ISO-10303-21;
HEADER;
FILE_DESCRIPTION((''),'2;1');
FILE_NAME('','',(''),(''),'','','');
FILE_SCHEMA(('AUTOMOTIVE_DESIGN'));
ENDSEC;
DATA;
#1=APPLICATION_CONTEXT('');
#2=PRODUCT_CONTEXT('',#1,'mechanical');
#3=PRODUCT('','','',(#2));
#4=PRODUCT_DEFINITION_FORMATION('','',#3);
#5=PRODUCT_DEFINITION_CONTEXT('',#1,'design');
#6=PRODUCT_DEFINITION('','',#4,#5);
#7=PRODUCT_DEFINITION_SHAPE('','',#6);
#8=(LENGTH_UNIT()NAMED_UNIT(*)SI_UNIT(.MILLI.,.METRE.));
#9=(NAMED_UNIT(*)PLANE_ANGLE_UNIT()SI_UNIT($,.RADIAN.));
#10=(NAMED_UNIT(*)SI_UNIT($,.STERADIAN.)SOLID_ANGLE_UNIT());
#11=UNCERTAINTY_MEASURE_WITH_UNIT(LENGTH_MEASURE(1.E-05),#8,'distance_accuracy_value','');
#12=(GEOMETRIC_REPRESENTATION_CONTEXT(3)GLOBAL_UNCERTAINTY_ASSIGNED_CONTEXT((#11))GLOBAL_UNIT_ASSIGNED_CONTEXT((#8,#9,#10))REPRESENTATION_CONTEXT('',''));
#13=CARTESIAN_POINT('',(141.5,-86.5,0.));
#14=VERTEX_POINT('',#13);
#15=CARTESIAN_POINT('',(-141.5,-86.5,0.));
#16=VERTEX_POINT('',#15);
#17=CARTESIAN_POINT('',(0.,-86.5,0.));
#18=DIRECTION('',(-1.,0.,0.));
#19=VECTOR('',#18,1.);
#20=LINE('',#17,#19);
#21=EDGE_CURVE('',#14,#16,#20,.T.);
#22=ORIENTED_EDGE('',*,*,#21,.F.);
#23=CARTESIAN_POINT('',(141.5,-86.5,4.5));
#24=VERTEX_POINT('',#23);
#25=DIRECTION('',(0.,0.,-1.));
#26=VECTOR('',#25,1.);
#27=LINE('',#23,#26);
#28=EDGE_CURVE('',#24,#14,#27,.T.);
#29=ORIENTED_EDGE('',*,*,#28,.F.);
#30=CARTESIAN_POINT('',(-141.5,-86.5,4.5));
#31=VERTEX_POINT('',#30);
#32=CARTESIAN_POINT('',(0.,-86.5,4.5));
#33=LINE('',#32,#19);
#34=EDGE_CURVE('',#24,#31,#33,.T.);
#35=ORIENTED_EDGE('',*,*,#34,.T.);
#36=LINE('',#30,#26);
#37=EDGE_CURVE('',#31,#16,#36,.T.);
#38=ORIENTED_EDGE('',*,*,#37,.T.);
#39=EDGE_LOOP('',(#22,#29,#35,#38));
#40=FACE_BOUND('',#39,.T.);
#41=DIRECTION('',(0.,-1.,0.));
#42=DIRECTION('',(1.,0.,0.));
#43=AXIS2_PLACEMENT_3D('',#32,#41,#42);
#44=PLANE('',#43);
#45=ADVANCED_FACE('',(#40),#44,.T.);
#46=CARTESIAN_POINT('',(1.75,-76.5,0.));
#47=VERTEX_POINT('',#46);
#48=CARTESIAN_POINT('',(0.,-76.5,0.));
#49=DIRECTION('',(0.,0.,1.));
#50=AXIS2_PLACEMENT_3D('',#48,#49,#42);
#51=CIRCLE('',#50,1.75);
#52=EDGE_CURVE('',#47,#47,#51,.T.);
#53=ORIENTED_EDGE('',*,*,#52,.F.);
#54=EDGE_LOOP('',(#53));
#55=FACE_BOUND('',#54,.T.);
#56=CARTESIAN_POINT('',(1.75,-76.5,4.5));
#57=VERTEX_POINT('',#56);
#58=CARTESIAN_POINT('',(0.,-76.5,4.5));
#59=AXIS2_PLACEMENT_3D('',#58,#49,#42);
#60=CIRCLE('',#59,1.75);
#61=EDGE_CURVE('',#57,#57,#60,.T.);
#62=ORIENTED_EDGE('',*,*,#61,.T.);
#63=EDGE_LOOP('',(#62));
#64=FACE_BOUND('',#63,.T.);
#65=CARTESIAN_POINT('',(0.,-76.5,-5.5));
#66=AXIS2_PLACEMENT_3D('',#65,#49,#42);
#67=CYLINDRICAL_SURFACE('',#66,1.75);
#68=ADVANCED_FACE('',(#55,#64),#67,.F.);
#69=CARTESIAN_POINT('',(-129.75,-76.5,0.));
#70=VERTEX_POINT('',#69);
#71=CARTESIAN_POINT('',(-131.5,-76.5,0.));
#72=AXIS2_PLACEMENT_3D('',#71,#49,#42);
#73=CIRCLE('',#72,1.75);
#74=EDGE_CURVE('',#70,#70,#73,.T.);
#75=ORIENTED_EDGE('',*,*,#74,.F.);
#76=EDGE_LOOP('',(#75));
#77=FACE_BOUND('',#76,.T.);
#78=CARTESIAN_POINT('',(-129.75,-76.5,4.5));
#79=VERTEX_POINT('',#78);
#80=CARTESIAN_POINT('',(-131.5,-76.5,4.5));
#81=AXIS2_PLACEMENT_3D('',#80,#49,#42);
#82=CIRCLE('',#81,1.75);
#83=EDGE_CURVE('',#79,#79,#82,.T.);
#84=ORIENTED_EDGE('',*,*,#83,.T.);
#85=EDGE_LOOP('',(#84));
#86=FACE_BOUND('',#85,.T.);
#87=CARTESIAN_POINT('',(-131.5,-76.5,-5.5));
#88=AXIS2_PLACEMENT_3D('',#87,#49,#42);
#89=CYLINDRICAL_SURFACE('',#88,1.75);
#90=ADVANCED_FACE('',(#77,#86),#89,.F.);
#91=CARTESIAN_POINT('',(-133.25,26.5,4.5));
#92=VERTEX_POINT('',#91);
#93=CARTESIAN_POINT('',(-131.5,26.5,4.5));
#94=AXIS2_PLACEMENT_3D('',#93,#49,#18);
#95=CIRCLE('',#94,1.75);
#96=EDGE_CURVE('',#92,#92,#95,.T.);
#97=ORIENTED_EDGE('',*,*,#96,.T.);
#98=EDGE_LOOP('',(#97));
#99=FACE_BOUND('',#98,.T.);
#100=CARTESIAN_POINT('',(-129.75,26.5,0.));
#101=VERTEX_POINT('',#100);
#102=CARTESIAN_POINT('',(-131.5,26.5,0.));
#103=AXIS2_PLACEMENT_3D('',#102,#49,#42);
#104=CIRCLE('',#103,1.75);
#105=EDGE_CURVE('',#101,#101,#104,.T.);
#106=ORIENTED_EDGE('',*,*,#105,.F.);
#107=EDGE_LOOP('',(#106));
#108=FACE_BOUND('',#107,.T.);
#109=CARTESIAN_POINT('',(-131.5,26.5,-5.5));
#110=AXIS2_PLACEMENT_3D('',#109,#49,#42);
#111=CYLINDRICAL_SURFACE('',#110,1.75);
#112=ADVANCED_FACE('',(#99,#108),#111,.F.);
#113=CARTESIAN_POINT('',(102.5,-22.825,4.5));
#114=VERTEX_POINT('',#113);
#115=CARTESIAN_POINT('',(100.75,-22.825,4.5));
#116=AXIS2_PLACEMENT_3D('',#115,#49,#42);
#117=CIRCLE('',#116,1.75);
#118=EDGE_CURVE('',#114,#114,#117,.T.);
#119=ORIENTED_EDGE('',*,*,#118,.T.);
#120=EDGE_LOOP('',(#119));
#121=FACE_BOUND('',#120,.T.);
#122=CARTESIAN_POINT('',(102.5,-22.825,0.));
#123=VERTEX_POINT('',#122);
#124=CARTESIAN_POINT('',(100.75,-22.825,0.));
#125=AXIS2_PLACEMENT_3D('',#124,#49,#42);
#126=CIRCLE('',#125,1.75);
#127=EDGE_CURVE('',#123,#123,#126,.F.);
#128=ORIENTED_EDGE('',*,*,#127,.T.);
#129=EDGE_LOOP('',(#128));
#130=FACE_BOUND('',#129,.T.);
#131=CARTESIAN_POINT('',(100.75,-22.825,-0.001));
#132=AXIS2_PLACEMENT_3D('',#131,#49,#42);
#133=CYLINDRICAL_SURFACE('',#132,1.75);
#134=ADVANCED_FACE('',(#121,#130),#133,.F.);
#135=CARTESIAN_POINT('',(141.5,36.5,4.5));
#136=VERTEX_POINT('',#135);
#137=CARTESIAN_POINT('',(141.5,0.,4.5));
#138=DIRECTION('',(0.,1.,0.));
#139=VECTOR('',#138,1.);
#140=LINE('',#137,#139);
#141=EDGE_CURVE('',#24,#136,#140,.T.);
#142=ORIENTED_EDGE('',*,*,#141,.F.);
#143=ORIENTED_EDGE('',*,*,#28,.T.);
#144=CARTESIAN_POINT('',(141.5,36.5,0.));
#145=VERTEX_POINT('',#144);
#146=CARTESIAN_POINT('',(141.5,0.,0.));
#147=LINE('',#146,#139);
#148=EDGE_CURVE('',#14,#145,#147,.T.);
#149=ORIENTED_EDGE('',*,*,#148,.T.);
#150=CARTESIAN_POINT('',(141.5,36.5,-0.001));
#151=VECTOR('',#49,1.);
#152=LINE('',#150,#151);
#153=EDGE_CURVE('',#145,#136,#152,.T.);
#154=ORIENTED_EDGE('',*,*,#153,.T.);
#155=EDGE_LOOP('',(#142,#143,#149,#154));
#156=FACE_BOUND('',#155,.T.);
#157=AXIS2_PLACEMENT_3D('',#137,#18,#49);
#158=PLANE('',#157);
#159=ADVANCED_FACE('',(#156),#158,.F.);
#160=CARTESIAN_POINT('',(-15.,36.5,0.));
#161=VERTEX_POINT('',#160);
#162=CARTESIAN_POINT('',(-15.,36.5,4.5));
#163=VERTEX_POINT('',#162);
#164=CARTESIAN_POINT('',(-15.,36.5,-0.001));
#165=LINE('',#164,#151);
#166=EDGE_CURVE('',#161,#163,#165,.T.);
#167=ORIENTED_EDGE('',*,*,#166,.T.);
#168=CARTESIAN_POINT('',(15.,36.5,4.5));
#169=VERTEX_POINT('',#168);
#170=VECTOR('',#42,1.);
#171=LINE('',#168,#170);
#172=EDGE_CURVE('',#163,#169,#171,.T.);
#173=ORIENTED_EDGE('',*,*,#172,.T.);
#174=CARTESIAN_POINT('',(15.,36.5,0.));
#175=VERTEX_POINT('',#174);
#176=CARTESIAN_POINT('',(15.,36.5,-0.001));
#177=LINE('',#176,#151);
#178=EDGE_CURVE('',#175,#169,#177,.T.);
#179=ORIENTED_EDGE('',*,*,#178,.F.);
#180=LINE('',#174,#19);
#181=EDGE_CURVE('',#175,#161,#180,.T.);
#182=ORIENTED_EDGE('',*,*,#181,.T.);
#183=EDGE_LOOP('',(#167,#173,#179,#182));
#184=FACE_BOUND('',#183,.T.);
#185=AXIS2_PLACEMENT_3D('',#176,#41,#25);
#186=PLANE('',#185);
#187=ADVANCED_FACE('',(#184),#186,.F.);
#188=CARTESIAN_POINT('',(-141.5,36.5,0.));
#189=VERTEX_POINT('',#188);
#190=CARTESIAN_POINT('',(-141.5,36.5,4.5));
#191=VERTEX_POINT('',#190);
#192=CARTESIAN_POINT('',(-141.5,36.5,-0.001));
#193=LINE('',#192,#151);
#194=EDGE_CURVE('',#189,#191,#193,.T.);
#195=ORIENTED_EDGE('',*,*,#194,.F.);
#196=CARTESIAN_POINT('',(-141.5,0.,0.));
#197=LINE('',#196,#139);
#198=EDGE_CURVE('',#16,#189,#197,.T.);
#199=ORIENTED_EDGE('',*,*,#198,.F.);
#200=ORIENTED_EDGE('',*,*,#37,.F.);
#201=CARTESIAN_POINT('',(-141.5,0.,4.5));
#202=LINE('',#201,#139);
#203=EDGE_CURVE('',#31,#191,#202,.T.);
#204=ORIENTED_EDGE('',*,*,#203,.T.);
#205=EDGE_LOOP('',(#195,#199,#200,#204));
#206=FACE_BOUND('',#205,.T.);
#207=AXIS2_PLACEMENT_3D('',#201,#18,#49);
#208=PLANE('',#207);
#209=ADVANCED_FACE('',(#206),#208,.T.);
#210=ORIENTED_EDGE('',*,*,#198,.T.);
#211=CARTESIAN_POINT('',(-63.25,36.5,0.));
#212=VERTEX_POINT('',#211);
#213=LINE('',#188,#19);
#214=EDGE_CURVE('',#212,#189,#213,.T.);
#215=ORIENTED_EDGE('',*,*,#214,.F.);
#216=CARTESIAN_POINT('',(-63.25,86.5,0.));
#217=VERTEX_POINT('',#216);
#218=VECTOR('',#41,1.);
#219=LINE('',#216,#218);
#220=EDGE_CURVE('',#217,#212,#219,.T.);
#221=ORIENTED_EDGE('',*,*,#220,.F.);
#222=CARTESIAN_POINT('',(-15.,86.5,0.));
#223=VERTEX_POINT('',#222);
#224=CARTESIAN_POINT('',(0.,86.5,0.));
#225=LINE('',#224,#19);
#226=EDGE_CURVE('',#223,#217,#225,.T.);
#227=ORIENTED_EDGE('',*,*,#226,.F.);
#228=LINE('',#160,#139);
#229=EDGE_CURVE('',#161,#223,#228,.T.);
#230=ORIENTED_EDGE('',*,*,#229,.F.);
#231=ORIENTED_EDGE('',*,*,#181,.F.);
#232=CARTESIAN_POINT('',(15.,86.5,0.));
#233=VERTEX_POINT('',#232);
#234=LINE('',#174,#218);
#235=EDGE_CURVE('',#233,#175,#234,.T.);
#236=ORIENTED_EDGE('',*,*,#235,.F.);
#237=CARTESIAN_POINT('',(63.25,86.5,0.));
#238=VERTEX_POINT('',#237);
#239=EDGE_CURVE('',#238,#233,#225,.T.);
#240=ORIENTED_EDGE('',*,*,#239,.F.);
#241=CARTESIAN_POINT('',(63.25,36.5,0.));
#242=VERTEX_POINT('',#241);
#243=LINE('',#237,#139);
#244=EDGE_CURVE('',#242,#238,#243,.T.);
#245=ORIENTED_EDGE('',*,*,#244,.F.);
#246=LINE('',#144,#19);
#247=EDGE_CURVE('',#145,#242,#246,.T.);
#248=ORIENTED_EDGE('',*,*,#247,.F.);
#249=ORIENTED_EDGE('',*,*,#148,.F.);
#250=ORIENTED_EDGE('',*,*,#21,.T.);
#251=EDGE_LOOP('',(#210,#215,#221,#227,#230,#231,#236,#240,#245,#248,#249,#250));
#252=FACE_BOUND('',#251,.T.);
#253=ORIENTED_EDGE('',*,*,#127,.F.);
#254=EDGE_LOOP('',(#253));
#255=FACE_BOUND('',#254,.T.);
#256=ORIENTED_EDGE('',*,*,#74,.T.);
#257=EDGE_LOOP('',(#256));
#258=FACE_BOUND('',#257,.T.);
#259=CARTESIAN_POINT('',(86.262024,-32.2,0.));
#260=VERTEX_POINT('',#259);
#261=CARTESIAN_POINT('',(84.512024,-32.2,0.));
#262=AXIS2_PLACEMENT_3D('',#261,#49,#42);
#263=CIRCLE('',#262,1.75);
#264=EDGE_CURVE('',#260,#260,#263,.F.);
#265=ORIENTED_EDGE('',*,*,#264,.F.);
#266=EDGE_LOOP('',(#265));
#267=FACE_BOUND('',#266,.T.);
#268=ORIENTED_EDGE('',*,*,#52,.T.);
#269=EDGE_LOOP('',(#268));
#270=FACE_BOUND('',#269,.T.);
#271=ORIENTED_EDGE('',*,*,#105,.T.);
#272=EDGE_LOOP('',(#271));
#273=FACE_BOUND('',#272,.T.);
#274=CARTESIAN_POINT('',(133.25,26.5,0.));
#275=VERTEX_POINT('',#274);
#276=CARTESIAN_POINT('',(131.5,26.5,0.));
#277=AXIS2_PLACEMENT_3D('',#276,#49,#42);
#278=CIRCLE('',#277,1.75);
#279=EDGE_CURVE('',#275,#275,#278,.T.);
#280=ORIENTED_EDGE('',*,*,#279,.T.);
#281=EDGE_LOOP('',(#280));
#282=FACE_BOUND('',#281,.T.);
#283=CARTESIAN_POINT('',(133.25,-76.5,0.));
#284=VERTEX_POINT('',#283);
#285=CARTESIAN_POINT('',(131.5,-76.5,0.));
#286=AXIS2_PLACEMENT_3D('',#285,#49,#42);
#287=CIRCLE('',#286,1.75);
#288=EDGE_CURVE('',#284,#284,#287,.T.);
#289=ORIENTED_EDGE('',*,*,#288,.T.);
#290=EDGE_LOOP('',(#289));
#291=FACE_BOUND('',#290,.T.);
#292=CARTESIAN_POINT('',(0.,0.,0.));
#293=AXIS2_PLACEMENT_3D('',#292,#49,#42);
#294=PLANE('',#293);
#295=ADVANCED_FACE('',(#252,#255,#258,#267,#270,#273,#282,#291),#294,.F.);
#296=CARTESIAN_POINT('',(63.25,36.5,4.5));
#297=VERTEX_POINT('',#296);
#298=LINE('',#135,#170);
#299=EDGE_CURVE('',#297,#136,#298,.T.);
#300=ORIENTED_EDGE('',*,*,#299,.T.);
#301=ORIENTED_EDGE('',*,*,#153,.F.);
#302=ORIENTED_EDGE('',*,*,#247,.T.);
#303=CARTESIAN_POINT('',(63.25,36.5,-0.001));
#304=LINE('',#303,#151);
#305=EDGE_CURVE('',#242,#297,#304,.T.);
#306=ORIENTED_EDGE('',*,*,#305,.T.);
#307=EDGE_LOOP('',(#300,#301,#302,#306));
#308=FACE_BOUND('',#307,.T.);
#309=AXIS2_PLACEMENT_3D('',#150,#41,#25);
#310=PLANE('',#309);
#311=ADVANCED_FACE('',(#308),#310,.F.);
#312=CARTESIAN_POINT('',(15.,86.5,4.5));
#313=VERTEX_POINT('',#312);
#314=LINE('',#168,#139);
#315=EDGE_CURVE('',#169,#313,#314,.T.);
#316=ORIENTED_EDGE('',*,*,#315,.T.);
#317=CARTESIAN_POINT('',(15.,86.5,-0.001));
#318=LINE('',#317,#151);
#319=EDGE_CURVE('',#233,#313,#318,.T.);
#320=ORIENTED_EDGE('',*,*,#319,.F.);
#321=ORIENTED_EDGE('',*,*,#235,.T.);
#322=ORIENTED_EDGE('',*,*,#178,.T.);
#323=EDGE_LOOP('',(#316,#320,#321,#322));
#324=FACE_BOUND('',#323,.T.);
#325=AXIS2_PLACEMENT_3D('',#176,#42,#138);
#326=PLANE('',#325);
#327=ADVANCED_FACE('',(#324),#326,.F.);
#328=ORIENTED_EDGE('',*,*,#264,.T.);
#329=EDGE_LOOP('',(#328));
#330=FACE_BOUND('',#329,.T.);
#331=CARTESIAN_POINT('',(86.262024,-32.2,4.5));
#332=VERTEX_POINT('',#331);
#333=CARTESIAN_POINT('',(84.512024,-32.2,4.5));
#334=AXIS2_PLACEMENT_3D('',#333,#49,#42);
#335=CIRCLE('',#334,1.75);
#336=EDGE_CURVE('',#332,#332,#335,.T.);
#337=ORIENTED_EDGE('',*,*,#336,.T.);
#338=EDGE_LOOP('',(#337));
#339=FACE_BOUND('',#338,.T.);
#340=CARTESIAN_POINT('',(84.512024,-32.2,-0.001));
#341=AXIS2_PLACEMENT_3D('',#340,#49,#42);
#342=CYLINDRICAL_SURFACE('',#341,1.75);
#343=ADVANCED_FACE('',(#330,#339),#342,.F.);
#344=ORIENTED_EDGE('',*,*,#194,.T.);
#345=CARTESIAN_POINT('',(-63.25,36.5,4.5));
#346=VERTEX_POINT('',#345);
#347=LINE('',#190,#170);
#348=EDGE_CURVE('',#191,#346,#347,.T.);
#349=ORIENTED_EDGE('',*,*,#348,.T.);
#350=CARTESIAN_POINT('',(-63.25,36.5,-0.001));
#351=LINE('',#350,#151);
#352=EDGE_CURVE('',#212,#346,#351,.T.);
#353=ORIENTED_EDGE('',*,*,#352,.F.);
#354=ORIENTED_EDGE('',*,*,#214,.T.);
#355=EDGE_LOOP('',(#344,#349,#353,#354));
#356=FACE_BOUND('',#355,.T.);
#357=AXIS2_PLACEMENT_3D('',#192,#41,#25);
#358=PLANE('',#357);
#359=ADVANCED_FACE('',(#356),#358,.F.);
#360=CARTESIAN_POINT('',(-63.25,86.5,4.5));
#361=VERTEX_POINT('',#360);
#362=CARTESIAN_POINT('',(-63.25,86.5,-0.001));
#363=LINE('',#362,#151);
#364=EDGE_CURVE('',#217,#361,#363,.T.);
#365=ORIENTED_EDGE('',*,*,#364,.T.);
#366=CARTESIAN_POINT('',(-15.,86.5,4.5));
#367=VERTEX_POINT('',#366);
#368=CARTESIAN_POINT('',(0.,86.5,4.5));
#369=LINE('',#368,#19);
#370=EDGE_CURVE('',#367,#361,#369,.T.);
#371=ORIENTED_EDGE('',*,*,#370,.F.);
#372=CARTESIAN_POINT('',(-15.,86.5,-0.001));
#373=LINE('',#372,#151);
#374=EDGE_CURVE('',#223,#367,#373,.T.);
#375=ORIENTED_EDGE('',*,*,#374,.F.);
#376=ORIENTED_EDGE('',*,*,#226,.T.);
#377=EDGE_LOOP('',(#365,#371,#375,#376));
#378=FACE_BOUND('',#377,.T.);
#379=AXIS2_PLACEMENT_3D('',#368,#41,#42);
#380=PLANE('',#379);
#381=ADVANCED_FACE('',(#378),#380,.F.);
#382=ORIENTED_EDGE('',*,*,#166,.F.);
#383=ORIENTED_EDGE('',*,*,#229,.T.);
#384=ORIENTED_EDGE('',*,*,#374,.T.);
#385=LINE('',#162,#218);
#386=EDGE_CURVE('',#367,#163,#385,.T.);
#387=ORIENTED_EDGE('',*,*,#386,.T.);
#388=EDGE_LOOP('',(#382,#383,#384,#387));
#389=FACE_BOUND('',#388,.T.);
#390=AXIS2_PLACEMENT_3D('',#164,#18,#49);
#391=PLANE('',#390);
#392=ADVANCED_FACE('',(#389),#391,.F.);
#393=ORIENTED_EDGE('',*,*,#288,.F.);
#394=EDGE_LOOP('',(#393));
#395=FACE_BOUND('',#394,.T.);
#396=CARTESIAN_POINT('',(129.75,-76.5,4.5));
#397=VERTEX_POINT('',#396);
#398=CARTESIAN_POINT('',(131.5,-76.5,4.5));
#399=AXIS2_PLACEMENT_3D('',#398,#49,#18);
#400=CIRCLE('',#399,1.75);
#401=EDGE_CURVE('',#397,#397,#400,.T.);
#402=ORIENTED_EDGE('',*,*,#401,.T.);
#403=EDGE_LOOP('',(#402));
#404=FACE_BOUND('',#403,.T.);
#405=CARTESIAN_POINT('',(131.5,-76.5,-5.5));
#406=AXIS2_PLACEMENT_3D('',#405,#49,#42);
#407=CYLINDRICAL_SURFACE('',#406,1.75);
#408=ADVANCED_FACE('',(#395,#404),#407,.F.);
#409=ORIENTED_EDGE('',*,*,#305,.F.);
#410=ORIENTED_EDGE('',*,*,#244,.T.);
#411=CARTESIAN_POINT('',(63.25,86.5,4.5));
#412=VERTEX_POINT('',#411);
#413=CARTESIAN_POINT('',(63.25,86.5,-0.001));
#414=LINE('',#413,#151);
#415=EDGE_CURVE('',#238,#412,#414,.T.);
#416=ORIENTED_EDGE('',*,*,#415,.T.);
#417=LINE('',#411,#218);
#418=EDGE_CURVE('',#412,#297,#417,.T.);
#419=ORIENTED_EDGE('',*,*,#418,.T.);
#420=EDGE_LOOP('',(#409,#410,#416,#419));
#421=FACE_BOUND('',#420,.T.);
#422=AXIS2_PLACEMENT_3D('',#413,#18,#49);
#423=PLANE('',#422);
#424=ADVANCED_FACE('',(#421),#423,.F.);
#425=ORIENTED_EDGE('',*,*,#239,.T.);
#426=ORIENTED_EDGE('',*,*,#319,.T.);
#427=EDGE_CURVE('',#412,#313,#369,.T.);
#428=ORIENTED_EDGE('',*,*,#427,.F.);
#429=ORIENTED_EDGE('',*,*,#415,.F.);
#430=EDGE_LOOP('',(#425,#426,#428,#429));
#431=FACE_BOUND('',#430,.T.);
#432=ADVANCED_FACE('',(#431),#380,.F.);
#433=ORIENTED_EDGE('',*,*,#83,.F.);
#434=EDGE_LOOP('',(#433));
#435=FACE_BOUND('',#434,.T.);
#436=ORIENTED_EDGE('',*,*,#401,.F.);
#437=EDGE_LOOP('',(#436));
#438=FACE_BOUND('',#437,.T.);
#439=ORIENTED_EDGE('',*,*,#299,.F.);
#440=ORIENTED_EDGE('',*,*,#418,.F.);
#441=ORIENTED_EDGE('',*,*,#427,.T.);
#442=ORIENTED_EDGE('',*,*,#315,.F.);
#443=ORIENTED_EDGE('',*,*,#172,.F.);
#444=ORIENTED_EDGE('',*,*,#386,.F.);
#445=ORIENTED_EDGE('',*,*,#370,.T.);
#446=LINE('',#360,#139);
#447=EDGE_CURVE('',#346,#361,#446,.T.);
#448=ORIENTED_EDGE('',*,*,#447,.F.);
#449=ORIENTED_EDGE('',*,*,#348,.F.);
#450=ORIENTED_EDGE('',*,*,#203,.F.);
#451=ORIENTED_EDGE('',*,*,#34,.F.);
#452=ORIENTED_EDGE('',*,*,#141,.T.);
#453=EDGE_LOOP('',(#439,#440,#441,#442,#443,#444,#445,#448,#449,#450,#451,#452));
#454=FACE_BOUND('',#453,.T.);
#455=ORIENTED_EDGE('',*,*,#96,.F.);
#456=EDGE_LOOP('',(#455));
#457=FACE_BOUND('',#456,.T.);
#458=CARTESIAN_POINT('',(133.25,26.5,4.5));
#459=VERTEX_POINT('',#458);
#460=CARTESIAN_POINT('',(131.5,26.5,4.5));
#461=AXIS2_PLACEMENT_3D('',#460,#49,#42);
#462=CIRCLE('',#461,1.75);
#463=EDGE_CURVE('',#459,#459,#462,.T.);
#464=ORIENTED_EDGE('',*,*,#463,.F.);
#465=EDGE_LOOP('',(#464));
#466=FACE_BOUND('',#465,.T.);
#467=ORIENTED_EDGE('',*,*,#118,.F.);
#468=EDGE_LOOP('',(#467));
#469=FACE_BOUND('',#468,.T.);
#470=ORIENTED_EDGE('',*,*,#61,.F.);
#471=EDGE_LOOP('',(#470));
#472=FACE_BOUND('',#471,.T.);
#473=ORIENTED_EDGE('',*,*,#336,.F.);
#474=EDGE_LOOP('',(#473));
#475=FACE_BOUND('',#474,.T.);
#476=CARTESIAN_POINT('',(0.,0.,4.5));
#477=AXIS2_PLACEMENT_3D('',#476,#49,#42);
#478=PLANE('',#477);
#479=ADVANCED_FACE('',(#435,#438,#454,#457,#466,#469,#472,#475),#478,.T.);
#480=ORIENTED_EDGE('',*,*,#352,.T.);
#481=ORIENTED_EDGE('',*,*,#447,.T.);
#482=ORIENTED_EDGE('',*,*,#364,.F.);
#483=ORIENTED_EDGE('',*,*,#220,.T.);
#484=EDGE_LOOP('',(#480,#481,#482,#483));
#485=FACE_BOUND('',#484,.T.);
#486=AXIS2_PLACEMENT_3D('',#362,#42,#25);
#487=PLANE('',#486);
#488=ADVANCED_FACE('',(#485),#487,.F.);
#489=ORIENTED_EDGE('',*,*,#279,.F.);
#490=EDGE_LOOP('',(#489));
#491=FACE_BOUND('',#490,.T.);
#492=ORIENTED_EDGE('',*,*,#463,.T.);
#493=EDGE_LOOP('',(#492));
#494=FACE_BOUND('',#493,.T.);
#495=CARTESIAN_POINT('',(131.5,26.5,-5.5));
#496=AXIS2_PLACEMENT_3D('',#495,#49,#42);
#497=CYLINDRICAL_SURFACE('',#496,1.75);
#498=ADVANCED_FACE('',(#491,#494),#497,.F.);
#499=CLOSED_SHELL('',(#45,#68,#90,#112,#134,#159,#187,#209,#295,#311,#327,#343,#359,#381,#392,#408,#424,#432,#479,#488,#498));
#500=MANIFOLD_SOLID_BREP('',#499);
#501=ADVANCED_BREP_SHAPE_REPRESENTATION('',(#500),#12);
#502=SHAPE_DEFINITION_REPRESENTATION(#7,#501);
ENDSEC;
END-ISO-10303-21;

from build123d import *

# Parameters (mm, degrees)
SKETCH1_W           = 283
SKETCH1_H           = 173
SKETCH1_R           = 1.75
BOSS_EXTRUDE1_DEPTH = 4.5
CUT_EXTRUDE1_REACH  = 6.5
SKETCH2_W           = 78.25
SKETCH2_H           = 50
SKETCH2_W_2         = 30
SKETCH3_R           = 1.75
CUT_EXTRUDE2_DEPTH  = 10
CUT_EXTRUDE4_REACH  = 6.5
SKETCH5_R           = 1.75


with BuildPart() as part:
    # Sketch1 → Boss-Extrude1 (new body)
    with BuildSketch(Plane.XY):
        Rectangle(SKETCH1_W, SKETCH1_H)
        with Locations((-131.5, 76.5)):
            Circle(SKETCH1_R, mode=Mode.SUBTRACT)
        with Locations((-131.5, 76.5)):
            Circle(SKETCH1_R)
    extrude(amount=BOSS_EXTRUDE1_DEPTH)

    # Sketch2 → Cut-Extrude1 (cut, up to next)
    with BuildSketch(Plane.XY.offset(4.5), mode=Mode.PRIVATE) as cut_extrude1_sk1:
        with Locations((102.375, 61.5)):
            Rectangle(SKETCH2_W, SKETCH2_H)
    cut_extrude1_tool1 = extrude(cut_extrude1_sk1.sketch, amount=-CUT_EXTRUDE1_REACH, mode=Mode.PRIVATE) & part.part
    add(cut_extrude1_tool1.solids().sort_by_distance((102.375, 61.5, 4.5))[0], mode=Mode.SUBTRACT)
    # Sketch2 → Cut-Extrude1 (cut, up to next)
    with BuildSketch(Plane.XY.offset(4.5), mode=Mode.PRIVATE) as cut_extrude1_sk2:
        with Locations((-102.375, 61.5)):
            Rectangle(SKETCH2_W, SKETCH2_H)
    cut_extrude1_tool2 = extrude(cut_extrude1_sk2.sketch, amount=-CUT_EXTRUDE1_REACH, mode=Mode.PRIVATE) & part.part
    add(cut_extrude1_tool2.solids().sort_by_distance((-102.375, 61.5, 4.5))[0], mode=Mode.SUBTRACT)
    # Sketch2 → Cut-Extrude1 (cut, up to next)
    with BuildSketch(Plane.XY.offset(4.5), mode=Mode.PRIVATE) as cut_extrude1_sk3:
        with Locations((0, 61.5)):
            Rectangle(SKETCH2_W_2, SKETCH2_H)
    cut_extrude1_tool3 = extrude(cut_extrude1_sk3.sketch, amount=-CUT_EXTRUDE1_REACH, mode=Mode.PRIVATE) & part.part
    add(cut_extrude1_tool3.solids().sort_by_distance((0, 61.5, 4.5))[0], mode=Mode.SUBTRACT)

    # Sketch3 → Cut-Extrude2 (cut)
    with BuildSketch(Plane.XY.offset(4.5)):
        with Locations((-131.5, -76.5)):
            Circle(SKETCH3_R)
        with Locations((131.5, -76.5)):
            Circle(SKETCH3_R)
        with Locations((131.5, 26.5)):
            Circle(SKETCH3_R)
        with Locations((-131.5, 26.5)):
            Circle(SKETCH3_R)
        with Locations((0, -76.5)):
            Circle(SKETCH3_R)
    extrude(amount=-CUT_EXTRUDE2_DEPTH, mode=Mode.SUBTRACT)

    # Sketch5 → Cut-Extrude4 (cut, up to next)
    with BuildSketch(Plane.XY.offset(4.5), mode=Mode.PRIVATE) as cut_extrude4_sk1:
        with Locations((84.512023679, -32.2)):
            Circle(SKETCH5_R)
    cut_extrude4_tool1 = extrude(cut_extrude4_sk1.sketch, amount=-CUT_EXTRUDE4_REACH, mode=Mode.PRIVATE) & part.part
    add(cut_extrude4_tool1.solids().sort_by_distance((84.512024, -32.2, 4.5))[0], mode=Mode.SUBTRACT)
    # Sketch5 → Cut-Extrude4 (cut, up to next)
    with BuildSketch(Plane.XY.offset(4.5), mode=Mode.PRIVATE) as cut_extrude4_sk2:
        with Locations((100.75, -22.825)):
            Circle(SKETCH5_R)
    cut_extrude4_tool2 = extrude(cut_extrude4_sk2.sketch, amount=-CUT_EXTRUDE4_REACH, mode=Mode.PRIVATE) & part.part
    add(cut_extrude4_tool2.solids().sort_by_distance((100.75, -22.825, 4.5))[0], mode=Mode.SUBTRACT)


solid = part.part
